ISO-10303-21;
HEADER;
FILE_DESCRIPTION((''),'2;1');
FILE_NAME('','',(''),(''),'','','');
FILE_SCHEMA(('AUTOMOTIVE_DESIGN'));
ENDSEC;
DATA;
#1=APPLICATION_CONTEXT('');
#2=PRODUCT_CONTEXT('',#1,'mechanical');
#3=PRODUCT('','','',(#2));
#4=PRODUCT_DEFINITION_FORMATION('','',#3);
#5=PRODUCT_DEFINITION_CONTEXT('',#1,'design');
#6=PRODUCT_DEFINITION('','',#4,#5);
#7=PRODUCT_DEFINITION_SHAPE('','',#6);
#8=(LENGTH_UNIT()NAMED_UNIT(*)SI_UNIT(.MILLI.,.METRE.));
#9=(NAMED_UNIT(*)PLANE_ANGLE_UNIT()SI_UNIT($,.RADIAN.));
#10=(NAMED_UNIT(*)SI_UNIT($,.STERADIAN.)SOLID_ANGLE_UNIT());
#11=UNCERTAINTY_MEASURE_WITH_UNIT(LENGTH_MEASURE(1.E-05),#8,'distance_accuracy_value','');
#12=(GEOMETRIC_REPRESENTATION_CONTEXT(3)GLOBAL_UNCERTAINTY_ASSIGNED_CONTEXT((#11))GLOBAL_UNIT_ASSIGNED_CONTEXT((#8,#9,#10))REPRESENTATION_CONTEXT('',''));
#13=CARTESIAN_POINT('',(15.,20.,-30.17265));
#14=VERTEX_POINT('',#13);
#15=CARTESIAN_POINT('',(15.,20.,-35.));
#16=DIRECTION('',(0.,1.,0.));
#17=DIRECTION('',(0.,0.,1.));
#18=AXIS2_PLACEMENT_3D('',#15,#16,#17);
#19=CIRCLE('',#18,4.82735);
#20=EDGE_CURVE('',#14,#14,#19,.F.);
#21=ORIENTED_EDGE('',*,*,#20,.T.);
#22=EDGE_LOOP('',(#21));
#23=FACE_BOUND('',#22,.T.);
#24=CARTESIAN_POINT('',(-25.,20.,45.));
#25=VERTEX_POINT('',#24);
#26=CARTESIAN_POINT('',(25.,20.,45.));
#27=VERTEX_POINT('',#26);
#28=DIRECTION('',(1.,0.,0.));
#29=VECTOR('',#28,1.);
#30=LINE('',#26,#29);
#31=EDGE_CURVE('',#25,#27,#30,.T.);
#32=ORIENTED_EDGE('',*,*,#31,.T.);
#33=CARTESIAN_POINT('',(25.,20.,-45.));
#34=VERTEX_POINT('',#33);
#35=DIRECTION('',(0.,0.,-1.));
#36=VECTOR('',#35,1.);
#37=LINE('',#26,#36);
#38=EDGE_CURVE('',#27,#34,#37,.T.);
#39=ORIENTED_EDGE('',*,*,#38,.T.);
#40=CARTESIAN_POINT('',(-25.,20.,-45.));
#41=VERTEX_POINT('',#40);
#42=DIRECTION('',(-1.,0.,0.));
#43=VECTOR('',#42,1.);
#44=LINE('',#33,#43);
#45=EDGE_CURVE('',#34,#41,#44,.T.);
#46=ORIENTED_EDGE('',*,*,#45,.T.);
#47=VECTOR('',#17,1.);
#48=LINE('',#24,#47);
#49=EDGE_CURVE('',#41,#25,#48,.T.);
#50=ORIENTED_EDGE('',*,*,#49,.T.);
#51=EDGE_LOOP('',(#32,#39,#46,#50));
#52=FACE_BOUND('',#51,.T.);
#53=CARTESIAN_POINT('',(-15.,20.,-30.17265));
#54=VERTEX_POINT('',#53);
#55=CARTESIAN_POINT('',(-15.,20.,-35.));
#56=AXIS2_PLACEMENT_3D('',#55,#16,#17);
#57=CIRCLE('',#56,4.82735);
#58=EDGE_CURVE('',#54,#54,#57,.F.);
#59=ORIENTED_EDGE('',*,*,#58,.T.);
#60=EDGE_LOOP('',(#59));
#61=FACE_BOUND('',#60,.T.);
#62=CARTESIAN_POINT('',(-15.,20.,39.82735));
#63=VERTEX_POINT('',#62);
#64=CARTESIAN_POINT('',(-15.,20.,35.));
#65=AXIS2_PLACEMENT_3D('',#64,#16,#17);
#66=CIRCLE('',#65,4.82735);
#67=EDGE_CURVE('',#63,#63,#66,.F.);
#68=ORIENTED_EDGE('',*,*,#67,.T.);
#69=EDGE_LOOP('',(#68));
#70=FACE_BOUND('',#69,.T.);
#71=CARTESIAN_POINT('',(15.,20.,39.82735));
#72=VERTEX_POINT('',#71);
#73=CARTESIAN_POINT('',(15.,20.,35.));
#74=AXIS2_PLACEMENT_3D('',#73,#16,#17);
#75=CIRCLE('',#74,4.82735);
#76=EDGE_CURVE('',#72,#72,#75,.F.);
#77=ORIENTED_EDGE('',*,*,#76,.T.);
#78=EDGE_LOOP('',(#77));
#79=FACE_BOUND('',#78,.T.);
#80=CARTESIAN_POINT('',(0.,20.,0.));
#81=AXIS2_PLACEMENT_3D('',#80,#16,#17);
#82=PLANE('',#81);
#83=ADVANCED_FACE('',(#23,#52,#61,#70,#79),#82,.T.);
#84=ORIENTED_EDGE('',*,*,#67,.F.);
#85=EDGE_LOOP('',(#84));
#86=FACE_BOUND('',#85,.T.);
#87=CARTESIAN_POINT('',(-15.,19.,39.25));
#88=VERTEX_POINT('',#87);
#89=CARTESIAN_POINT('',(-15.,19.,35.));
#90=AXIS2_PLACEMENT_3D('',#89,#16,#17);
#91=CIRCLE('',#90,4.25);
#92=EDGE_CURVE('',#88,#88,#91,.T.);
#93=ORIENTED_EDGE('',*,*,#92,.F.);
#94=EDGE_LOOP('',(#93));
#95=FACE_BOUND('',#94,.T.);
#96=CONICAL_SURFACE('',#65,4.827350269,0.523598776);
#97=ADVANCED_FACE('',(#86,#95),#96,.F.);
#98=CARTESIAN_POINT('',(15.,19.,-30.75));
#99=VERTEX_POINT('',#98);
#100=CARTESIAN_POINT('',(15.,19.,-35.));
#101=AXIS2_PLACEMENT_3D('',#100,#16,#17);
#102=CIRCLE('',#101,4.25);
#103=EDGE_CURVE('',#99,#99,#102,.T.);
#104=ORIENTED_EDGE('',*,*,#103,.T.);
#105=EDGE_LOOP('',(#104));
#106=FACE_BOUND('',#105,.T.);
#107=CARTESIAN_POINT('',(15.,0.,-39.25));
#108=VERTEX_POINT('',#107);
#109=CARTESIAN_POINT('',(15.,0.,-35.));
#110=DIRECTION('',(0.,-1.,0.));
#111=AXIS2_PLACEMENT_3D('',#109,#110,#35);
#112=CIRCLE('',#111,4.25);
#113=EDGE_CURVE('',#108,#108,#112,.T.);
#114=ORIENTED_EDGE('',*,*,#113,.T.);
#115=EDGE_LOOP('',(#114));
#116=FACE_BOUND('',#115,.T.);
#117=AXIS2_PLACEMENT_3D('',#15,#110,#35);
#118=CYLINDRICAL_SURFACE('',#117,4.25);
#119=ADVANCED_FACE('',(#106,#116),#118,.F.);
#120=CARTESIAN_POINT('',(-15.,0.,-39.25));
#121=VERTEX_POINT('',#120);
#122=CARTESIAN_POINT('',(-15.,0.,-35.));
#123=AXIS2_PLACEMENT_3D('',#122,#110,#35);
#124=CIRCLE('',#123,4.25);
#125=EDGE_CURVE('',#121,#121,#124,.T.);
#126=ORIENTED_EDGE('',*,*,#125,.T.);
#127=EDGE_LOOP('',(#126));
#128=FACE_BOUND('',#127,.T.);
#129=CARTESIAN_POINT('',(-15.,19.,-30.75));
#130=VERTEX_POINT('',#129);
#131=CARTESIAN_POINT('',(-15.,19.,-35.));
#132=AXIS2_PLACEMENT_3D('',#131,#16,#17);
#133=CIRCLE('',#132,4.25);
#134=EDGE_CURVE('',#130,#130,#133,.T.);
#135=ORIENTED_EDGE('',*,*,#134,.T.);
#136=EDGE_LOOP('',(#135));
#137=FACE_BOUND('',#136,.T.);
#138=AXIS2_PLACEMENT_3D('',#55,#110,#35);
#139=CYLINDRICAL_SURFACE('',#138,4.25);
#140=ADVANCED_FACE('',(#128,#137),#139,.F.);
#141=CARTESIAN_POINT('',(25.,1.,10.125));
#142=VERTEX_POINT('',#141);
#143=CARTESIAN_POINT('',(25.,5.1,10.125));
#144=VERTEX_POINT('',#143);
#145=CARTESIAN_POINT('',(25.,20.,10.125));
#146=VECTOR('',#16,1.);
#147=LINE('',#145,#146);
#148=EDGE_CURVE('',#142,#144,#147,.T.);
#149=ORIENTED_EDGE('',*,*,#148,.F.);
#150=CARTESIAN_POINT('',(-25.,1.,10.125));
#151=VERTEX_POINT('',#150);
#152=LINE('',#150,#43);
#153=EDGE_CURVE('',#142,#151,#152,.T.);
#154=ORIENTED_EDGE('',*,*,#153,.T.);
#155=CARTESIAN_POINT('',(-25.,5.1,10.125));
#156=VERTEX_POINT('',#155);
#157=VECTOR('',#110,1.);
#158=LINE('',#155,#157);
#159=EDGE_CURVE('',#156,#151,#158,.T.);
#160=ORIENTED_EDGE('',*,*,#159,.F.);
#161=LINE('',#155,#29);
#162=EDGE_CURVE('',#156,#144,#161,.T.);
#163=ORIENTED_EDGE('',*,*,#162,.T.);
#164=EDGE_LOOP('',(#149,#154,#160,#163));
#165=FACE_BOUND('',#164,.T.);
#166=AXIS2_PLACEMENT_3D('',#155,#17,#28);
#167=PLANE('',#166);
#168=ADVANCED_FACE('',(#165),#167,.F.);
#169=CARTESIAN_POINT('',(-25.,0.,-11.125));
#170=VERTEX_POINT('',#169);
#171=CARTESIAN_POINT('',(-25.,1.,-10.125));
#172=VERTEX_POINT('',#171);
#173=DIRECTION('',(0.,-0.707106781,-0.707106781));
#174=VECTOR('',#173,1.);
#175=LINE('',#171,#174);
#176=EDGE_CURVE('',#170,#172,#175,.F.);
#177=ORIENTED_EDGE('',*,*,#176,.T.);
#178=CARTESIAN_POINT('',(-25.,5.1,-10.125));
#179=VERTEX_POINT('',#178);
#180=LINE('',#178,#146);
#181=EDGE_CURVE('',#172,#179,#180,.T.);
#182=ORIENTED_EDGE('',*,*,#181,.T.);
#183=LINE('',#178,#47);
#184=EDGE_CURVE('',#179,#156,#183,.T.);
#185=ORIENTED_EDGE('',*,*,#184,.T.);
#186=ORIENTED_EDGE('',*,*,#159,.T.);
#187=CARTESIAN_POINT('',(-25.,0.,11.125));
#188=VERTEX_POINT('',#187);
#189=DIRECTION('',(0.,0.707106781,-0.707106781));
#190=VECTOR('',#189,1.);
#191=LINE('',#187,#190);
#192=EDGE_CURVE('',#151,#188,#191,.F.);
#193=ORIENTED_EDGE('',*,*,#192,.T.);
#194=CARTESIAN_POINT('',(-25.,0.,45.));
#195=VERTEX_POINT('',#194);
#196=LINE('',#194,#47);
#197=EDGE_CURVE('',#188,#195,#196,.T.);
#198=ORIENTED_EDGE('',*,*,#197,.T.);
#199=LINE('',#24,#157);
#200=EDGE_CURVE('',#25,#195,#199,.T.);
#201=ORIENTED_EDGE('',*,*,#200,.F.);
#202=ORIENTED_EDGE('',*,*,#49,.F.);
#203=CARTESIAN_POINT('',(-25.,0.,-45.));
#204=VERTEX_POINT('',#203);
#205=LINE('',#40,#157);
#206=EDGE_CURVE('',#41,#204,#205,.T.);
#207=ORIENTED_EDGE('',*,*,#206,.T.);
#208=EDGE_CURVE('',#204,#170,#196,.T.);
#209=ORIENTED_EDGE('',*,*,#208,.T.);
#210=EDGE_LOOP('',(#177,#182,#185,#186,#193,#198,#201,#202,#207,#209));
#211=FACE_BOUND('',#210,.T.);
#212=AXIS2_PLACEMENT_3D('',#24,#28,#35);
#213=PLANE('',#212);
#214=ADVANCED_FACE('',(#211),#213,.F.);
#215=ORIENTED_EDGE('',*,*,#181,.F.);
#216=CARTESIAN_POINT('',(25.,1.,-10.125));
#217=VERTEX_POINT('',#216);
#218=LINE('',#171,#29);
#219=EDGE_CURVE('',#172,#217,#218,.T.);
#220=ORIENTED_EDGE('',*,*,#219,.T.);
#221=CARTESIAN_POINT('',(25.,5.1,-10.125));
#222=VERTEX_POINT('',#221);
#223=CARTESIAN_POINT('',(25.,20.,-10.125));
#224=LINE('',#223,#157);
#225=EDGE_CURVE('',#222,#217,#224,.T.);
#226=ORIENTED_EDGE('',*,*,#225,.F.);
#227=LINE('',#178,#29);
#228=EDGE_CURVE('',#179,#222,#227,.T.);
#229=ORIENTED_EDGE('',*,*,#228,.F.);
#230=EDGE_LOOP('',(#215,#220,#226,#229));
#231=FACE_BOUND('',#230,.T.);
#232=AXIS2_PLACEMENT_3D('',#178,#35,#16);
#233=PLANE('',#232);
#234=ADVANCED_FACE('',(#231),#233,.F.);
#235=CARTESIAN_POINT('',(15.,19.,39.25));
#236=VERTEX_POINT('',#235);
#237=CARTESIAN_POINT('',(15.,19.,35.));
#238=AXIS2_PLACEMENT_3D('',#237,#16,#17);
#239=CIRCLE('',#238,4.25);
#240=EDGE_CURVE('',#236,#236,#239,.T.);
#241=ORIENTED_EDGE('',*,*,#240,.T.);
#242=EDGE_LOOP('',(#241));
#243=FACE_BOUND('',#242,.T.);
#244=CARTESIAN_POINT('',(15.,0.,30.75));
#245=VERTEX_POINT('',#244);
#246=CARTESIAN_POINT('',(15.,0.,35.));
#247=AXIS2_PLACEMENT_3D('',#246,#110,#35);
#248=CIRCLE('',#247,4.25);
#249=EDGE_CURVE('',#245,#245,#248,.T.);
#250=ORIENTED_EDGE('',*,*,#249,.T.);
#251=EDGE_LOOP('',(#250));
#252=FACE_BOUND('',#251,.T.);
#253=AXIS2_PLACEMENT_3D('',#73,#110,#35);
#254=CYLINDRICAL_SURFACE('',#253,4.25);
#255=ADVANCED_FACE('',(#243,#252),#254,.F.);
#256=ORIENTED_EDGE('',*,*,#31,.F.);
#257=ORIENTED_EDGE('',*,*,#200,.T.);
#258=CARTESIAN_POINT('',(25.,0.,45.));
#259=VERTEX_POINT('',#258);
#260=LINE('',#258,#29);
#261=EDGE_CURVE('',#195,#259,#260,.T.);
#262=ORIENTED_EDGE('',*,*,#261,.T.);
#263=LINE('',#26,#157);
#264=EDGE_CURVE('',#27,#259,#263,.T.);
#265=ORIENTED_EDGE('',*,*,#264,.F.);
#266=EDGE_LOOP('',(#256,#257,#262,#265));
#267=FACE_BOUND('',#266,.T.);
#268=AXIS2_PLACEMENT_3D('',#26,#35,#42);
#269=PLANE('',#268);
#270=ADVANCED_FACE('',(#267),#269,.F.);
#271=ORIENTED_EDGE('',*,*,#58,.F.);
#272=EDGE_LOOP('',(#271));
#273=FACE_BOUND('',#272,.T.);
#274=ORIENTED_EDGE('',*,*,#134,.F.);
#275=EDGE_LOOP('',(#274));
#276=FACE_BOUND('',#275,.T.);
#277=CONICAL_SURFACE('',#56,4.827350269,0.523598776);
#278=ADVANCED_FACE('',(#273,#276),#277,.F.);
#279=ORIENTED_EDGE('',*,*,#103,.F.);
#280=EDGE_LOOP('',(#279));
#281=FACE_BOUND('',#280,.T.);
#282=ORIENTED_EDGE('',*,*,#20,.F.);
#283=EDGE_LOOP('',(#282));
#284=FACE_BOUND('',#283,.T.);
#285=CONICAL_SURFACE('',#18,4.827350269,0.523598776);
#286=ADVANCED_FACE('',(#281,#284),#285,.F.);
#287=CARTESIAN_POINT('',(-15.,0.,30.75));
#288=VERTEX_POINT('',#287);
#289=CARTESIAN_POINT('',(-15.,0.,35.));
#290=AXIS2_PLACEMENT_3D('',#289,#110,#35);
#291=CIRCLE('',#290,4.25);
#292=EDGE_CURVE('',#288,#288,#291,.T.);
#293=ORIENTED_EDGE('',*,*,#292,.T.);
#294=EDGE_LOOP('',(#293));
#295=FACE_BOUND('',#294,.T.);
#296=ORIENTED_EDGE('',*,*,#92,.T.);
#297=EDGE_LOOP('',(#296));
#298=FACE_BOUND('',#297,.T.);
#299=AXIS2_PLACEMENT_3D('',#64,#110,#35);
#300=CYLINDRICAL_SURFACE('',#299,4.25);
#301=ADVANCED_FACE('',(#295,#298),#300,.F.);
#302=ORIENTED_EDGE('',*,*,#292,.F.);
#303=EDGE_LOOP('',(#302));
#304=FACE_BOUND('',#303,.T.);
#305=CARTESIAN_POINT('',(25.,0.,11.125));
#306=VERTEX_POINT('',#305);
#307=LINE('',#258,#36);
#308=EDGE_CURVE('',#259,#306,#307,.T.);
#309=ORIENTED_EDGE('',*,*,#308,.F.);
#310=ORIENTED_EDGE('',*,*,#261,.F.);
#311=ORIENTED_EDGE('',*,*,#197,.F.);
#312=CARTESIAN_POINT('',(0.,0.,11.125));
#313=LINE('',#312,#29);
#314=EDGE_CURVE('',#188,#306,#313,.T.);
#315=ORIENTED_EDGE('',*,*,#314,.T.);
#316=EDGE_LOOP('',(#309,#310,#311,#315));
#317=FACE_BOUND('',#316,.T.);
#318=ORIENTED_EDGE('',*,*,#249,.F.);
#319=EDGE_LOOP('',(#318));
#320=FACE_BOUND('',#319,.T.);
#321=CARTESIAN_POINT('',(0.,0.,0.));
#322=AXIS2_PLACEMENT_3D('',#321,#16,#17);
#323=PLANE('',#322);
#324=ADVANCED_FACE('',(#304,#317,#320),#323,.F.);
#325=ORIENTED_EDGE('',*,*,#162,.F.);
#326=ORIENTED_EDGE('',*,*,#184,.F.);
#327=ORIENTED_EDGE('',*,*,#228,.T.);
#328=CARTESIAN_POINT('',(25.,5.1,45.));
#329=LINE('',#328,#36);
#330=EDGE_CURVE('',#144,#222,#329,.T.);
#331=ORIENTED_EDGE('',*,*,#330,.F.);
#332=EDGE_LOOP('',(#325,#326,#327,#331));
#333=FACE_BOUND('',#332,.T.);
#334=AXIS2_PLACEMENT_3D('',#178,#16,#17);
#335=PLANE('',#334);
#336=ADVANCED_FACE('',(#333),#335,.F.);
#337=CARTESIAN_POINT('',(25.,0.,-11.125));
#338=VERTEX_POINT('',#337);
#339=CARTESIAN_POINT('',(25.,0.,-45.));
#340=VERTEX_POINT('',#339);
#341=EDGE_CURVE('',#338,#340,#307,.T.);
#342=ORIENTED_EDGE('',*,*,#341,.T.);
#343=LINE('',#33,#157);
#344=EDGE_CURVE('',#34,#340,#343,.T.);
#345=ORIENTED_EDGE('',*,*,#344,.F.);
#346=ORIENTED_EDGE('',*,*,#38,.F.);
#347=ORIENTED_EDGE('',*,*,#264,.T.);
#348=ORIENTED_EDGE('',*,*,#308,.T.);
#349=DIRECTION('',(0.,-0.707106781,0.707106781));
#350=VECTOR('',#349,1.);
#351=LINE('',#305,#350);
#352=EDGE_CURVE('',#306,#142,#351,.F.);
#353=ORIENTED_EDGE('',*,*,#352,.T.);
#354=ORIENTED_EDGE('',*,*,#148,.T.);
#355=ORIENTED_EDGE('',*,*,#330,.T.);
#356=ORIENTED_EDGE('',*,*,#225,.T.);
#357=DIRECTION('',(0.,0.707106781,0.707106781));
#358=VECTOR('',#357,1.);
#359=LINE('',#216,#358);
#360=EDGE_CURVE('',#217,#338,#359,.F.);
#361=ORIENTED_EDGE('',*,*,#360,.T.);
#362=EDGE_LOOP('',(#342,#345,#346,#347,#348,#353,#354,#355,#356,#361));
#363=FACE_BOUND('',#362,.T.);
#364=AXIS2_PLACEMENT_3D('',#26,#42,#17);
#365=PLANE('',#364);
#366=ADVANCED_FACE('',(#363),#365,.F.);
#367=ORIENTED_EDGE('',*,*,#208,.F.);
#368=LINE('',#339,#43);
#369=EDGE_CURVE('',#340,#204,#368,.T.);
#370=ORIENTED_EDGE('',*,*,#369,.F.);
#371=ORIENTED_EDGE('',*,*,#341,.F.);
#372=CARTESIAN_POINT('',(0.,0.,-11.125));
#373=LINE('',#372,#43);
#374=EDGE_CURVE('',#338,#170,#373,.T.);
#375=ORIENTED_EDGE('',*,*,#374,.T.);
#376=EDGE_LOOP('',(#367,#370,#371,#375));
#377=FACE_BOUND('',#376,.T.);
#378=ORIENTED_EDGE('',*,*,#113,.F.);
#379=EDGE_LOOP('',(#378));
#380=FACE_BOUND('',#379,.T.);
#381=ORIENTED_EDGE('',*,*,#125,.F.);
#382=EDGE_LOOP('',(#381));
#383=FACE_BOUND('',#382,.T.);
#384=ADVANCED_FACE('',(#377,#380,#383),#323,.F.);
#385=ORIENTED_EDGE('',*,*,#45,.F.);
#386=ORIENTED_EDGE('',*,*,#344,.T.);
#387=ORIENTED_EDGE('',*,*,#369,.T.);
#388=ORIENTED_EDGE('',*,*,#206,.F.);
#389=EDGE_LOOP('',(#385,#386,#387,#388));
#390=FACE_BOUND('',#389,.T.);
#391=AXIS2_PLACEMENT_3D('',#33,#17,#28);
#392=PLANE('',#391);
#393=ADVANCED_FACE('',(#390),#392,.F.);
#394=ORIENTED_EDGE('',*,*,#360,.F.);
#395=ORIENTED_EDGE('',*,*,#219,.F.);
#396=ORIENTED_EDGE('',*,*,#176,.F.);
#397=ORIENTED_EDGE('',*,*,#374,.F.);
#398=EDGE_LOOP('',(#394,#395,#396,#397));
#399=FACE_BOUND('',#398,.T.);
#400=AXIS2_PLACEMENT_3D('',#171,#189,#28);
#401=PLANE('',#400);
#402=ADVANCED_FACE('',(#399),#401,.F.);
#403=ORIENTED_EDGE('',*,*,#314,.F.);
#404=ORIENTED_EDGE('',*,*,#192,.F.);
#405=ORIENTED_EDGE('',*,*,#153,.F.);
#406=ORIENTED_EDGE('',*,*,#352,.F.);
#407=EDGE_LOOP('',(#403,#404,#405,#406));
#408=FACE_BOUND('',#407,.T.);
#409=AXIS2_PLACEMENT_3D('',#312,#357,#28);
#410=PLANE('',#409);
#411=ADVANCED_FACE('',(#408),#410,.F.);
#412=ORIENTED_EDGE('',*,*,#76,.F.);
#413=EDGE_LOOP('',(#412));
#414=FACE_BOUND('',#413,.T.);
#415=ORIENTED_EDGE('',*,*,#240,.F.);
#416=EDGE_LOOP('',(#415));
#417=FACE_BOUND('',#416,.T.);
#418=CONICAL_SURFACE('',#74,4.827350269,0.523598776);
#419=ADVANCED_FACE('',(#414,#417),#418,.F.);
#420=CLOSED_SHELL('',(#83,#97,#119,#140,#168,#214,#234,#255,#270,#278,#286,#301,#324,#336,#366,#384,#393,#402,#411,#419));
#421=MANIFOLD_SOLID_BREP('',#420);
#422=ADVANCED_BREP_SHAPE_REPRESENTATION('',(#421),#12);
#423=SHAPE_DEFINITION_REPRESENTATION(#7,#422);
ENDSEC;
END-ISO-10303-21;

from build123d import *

# Parameters (mm, degrees)
SKETCH1_W               = 50
SKETCH1_H               = 90
BOSS_EXTRUDE1_DEPTH     = 20
SKETCH2_W               = 20.25
SKETCH2_H               = 5.1
CUT_EXTRUDE1_DEPTH      = 1
CUT_EXTRUDE1_DEPTH_BACK = 51
SKETCH3_R               = 4.25
CUT_EXTRUDE2_DEPTH      = 21
CHAMFER1_SIZE           = 1
CHAMFER1_SIZE2          = 0.577350269
CHAMFER1_PART_2_SIZE    = 1
CHAMFER1_PART_2_SIZE2   = 0.577350269
CHAMFER1_PART_3_SIZE    = 1
CHAMFER1_PART_3_SIZE2   = 0.577350269
CHAMFER1_PART_4_SIZE    = 1
CHAMFER1_PART_4_SIZE2   = 0.577350269
CHAMFER2_SIZE           = 1


with BuildPart() as part:
    # Sketch1 → Boss-Extrude1 (new body)
    with BuildSketch(Plane(origin=(0, 0, 0), x_dir=(1, 0, 0), z_dir=(0, 1, 0))):
        Rectangle(SKETCH1_W, SKETCH1_H)
    extrude(amount=BOSS_EXTRUDE1_DEPTH)

    # Sketch2 → Cut-Extrude1 (cut, two sides)
    with BuildSketch(Plane(origin=(25, 0, 0), x_dir=(0, 0, -1), z_dir=(1, 0, 0))) as cut_extrude1_sk:
        with Locations((0, 2.55)):
            Rectangle(SKETCH2_W, SKETCH2_H)
    extrude(amount=CUT_EXTRUDE1_DEPTH, mode=Mode.SUBTRACT)
    extrude(cut_extrude1_sk.sketch, amount=-CUT_EXTRUDE1_DEPTH_BACK, mode=Mode.SUBTRACT)

    # Sketch3 → Cut-Extrude2 (cut, through all)
    with BuildSketch(Plane.XZ):
        with Locations((-15, 35)):
            Circle(SKETCH3_R)
        with Locations((-15, -35)):
            Circle(SKETCH3_R)
        with Locations((15, 35)):
            Circle(SKETCH3_R)
        with Locations((15, -35)):
            Circle(SKETCH3_R)
    extrude(amount=-CUT_EXTRUDE2_DEPTH, mode=Mode.SUBTRACT)

    # Chamfer1
    chamfer1_edges = [part.edges().sort_by_distance(p)[0] for p in [
        (-19.25, 20, 35),
    ]]
    chamfer1_side = [part.faces().sort_by_distance(p)[0] for p in [
        (-19.25, 10, 35),
    ]]
    chamfer(chamfer1_edges, length=CHAMFER1_SIZE, length2=CHAMFER1_SIZE2, reference=chamfer1_side[0])

    # Chamfer1 part 2
    chamfer1_part_2_edges = [part.edges().sort_by_distance(p)[0] for p in [
        (10.75, 20, 35),
    ]]
    chamfer1_part_2_side = [part.faces().sort_by_distance(p)[0] for p in [
        (10.75, 10, 35),
    ]]
    chamfer(chamfer1_part_2_edges, length=CHAMFER1_PART_2_SIZE, length2=CHAMFER1_PART_2_SIZE2, reference=chamfer1_part_2_side[0])

    # Chamfer1 part 3
    chamfer1_part_3_edges = [part.edges().sort_by_distance(p)[0] for p in [
        (10.75, 20, -35),
    ]]
    chamfer1_part_3_side = [part.faces().sort_by_distance(p)[0] for p in [
        (10.75, 10, -35),
    ]]
    chamfer(chamfer1_part_3_edges, length=CHAMFER1_PART_3_SIZE, length2=CHAMFER1_PART_3_SIZE2, reference=chamfer1_part_3_side[0])

    # Chamfer1 part 4
    chamfer1_part_4_edges = [part.edges().sort_by_distance(p)[0] for p in [
        (-19.25, 20, -35),
    ]]
    chamfer1_part_4_side = [part.faces().sort_by_distance(p)[0] for p in [
        (-19.25, 10, -35),
    ]]
    chamfer(chamfer1_part_4_edges, length=CHAMFER1_PART_4_SIZE, length2=CHAMFER1_PART_4_SIZE2, reference=chamfer1_part_4_side[0])

    # Chamfer2
    chamfer2_edges = [part.edges().sort_by_distance(p)[0] for p in [
        (0, 0, -10.125),
        (0, 0, 10.125),
    ]]
    chamfer(chamfer2_edges, length=CHAMFER2_SIZE)


solid = part.part
